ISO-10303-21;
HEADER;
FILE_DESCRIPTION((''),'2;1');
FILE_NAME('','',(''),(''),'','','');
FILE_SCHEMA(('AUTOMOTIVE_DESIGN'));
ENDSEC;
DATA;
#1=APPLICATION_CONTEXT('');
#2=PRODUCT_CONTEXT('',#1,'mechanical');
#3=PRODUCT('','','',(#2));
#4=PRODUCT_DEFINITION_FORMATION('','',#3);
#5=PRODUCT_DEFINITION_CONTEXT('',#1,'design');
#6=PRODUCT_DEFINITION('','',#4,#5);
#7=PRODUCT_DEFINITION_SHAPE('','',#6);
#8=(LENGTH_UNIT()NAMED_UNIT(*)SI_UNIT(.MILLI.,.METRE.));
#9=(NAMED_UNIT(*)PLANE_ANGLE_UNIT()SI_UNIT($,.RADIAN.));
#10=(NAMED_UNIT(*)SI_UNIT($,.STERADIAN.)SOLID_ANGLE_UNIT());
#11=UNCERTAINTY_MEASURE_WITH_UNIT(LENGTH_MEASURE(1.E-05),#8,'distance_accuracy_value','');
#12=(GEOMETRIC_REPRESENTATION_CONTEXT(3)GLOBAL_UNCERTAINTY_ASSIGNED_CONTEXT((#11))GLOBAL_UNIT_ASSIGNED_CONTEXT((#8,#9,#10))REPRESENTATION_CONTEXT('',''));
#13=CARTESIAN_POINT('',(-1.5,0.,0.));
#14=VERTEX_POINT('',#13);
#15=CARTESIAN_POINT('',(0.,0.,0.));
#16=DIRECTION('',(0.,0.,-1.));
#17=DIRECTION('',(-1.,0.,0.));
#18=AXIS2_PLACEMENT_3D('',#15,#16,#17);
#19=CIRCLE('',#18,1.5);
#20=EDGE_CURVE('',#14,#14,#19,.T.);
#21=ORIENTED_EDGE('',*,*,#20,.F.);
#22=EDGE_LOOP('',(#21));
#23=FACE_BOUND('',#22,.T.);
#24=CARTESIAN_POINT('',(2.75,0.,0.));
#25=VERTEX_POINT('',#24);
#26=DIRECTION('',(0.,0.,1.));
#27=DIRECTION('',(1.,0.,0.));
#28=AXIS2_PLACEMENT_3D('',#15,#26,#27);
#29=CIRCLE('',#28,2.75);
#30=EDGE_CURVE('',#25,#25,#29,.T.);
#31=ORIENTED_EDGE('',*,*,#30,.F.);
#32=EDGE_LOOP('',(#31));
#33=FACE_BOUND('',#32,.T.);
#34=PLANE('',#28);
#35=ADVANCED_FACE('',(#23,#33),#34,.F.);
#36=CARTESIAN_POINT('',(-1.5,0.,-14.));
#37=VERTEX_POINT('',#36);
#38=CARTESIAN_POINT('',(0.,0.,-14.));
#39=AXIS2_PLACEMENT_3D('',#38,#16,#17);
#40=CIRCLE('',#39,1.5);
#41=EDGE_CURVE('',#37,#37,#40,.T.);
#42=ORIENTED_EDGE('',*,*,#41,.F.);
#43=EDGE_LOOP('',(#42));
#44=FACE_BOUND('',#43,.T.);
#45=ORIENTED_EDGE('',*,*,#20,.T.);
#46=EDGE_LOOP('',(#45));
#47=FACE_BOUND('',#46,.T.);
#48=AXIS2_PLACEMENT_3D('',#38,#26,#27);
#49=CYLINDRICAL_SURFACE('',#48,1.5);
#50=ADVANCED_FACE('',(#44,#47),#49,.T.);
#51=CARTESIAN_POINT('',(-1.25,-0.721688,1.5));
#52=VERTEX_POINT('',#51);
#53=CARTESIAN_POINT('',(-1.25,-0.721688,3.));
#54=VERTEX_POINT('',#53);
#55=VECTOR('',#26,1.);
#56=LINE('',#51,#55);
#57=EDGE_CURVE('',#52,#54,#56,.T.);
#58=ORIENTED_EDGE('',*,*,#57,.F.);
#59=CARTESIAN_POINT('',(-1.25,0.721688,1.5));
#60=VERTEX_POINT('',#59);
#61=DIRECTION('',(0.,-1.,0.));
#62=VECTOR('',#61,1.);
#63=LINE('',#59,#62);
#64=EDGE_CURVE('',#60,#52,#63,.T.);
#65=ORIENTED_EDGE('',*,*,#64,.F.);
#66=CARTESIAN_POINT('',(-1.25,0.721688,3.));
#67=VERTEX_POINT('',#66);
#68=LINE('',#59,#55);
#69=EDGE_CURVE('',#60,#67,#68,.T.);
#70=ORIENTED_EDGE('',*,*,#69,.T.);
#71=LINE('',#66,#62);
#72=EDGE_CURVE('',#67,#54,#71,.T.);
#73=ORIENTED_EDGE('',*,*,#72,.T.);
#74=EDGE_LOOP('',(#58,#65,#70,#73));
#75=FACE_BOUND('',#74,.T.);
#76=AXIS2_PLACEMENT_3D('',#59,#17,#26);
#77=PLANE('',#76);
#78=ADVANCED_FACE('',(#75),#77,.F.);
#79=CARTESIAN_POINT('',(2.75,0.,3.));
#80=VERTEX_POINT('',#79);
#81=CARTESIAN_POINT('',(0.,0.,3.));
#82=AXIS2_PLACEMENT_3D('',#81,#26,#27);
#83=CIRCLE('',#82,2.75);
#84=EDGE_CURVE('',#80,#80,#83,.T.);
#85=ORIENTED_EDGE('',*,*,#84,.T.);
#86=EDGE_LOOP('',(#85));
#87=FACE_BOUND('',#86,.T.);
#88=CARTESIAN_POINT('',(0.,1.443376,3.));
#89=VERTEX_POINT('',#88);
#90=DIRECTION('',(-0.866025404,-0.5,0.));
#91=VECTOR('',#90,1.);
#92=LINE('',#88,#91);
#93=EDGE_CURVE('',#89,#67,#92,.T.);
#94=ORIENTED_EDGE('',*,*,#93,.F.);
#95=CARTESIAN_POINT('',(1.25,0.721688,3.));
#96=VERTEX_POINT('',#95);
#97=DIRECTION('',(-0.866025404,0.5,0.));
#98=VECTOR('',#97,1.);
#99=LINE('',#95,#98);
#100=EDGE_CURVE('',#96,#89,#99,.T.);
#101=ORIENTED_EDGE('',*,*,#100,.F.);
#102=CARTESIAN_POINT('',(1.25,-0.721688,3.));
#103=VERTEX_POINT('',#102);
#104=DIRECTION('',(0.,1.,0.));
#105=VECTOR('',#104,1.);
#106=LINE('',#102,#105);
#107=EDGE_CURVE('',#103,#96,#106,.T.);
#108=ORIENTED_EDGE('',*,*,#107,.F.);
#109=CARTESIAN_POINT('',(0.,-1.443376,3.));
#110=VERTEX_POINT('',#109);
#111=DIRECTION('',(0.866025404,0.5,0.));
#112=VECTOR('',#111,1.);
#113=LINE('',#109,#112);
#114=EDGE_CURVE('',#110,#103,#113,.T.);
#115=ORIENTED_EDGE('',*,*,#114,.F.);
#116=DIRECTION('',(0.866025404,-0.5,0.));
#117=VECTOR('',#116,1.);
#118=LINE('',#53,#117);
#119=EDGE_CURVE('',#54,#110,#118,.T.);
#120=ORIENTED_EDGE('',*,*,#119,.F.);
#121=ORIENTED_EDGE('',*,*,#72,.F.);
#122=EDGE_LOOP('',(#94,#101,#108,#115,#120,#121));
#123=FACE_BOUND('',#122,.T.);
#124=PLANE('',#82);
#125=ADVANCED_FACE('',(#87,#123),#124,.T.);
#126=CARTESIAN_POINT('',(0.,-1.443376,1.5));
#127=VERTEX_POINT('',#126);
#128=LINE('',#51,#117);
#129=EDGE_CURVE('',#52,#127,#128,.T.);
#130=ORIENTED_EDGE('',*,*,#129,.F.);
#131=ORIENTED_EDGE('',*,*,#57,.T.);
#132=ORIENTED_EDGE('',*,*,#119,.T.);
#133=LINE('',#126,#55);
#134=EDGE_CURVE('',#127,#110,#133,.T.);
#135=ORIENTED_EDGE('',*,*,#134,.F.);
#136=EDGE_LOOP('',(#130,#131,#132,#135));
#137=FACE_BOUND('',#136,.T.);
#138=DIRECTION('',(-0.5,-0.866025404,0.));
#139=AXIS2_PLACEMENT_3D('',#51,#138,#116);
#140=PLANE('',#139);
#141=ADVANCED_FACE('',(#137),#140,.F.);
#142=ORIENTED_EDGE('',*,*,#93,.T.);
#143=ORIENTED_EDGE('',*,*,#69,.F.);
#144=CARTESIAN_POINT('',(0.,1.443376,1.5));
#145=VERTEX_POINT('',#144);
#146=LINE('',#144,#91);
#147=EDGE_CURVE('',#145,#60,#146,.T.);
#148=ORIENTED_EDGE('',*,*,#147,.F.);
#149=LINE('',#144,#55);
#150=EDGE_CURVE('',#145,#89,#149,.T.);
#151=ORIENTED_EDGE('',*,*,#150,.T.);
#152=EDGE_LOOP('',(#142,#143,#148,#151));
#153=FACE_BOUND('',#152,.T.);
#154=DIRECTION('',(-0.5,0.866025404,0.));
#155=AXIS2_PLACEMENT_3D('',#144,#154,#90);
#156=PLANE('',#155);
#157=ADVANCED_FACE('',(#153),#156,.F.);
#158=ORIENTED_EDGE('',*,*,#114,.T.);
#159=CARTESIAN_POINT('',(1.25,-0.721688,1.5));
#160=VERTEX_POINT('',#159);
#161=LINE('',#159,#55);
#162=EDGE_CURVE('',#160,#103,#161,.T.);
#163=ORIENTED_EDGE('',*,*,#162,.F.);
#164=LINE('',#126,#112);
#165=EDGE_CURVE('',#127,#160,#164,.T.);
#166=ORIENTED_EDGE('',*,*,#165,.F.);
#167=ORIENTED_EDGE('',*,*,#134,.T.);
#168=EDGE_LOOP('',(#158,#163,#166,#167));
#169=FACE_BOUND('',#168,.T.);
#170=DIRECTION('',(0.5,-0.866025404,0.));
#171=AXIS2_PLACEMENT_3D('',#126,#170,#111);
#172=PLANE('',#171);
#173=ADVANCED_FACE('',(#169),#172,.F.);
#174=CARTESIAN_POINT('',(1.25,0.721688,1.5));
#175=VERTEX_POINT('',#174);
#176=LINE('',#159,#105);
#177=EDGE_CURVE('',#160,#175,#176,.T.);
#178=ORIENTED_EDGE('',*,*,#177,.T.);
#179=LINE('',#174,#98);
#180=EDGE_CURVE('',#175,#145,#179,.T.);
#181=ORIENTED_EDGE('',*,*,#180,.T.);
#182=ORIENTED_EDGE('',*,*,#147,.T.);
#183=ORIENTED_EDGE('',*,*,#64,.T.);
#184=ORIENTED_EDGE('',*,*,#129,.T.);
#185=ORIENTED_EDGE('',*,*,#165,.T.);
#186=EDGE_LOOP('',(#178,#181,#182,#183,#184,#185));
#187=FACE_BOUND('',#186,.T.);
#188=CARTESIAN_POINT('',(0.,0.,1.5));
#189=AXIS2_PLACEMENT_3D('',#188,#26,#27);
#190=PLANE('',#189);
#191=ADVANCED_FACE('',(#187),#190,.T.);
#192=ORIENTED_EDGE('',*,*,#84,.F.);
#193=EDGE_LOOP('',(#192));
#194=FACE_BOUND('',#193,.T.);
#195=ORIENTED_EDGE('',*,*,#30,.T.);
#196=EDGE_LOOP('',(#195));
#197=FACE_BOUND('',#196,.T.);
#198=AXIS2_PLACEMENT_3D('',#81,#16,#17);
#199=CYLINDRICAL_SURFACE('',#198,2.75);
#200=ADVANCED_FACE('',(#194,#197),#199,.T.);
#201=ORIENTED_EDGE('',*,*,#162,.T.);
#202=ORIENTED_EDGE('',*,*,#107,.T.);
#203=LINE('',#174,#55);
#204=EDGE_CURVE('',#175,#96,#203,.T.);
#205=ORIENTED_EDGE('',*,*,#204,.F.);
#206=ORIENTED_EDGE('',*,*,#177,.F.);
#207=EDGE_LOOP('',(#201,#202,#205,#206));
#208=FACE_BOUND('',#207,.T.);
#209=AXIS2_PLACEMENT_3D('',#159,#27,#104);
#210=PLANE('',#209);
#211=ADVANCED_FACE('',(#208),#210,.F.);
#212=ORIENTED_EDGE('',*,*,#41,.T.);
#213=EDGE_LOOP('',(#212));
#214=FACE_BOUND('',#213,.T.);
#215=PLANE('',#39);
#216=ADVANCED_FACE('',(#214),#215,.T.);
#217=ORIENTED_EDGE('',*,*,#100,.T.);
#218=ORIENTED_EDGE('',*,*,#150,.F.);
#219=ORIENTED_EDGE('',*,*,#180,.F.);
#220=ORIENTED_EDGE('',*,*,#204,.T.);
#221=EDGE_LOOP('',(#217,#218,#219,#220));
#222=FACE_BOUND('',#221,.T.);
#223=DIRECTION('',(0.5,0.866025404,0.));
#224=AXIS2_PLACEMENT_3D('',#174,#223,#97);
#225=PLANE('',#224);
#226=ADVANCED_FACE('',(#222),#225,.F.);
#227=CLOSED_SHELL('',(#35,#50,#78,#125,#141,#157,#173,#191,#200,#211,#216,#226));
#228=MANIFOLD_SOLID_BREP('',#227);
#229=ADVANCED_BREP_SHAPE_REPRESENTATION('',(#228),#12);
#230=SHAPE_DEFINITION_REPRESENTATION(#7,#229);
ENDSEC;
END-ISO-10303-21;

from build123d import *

# Parameters (mm, degrees)
SKETCH_1_R          = 2.75
EXTRUDE_1_DEPTH     = 3
CUT_EXTRUDE_1_DEPTH = 1.5
SKETCH_3_R          = 1.5
EXTRUDE_2_DEPTH     = 14


with BuildPart() as part:
    # 草图1 → 凸台-拉伸1 (new body)
    with BuildSketch(Plane.XY):
        Circle(SKETCH_1_R)
    extrude(amount=EXTRUDE_1_DEPTH)

    # 草图2 → 切除-拉伸1 (cut)
    with BuildSketch(Plane.XY.offset(3)):
        Polygon((0, -1.443375673), (1.25, -0.721687836), (1.25, 0.721687836), (0, 1.443375673), (-1.25, 0.721687836), (-1.25, -0.721687836), align=None)
    extrude(amount=-CUT_EXTRUDE_1_DEPTH, mode=Mode.SUBTRACT)

    # 草图3 → 凸台-拉伸2 (add)
    with BuildSketch(Plane(origin=(0, 0, 0), x_dir=(-1, 0, 0), z_dir=(0, 0, -1))):
        Circle(SKETCH_3_R)
    extrude(amount=EXTRUDE_2_DEPTH)


solid = part.part
